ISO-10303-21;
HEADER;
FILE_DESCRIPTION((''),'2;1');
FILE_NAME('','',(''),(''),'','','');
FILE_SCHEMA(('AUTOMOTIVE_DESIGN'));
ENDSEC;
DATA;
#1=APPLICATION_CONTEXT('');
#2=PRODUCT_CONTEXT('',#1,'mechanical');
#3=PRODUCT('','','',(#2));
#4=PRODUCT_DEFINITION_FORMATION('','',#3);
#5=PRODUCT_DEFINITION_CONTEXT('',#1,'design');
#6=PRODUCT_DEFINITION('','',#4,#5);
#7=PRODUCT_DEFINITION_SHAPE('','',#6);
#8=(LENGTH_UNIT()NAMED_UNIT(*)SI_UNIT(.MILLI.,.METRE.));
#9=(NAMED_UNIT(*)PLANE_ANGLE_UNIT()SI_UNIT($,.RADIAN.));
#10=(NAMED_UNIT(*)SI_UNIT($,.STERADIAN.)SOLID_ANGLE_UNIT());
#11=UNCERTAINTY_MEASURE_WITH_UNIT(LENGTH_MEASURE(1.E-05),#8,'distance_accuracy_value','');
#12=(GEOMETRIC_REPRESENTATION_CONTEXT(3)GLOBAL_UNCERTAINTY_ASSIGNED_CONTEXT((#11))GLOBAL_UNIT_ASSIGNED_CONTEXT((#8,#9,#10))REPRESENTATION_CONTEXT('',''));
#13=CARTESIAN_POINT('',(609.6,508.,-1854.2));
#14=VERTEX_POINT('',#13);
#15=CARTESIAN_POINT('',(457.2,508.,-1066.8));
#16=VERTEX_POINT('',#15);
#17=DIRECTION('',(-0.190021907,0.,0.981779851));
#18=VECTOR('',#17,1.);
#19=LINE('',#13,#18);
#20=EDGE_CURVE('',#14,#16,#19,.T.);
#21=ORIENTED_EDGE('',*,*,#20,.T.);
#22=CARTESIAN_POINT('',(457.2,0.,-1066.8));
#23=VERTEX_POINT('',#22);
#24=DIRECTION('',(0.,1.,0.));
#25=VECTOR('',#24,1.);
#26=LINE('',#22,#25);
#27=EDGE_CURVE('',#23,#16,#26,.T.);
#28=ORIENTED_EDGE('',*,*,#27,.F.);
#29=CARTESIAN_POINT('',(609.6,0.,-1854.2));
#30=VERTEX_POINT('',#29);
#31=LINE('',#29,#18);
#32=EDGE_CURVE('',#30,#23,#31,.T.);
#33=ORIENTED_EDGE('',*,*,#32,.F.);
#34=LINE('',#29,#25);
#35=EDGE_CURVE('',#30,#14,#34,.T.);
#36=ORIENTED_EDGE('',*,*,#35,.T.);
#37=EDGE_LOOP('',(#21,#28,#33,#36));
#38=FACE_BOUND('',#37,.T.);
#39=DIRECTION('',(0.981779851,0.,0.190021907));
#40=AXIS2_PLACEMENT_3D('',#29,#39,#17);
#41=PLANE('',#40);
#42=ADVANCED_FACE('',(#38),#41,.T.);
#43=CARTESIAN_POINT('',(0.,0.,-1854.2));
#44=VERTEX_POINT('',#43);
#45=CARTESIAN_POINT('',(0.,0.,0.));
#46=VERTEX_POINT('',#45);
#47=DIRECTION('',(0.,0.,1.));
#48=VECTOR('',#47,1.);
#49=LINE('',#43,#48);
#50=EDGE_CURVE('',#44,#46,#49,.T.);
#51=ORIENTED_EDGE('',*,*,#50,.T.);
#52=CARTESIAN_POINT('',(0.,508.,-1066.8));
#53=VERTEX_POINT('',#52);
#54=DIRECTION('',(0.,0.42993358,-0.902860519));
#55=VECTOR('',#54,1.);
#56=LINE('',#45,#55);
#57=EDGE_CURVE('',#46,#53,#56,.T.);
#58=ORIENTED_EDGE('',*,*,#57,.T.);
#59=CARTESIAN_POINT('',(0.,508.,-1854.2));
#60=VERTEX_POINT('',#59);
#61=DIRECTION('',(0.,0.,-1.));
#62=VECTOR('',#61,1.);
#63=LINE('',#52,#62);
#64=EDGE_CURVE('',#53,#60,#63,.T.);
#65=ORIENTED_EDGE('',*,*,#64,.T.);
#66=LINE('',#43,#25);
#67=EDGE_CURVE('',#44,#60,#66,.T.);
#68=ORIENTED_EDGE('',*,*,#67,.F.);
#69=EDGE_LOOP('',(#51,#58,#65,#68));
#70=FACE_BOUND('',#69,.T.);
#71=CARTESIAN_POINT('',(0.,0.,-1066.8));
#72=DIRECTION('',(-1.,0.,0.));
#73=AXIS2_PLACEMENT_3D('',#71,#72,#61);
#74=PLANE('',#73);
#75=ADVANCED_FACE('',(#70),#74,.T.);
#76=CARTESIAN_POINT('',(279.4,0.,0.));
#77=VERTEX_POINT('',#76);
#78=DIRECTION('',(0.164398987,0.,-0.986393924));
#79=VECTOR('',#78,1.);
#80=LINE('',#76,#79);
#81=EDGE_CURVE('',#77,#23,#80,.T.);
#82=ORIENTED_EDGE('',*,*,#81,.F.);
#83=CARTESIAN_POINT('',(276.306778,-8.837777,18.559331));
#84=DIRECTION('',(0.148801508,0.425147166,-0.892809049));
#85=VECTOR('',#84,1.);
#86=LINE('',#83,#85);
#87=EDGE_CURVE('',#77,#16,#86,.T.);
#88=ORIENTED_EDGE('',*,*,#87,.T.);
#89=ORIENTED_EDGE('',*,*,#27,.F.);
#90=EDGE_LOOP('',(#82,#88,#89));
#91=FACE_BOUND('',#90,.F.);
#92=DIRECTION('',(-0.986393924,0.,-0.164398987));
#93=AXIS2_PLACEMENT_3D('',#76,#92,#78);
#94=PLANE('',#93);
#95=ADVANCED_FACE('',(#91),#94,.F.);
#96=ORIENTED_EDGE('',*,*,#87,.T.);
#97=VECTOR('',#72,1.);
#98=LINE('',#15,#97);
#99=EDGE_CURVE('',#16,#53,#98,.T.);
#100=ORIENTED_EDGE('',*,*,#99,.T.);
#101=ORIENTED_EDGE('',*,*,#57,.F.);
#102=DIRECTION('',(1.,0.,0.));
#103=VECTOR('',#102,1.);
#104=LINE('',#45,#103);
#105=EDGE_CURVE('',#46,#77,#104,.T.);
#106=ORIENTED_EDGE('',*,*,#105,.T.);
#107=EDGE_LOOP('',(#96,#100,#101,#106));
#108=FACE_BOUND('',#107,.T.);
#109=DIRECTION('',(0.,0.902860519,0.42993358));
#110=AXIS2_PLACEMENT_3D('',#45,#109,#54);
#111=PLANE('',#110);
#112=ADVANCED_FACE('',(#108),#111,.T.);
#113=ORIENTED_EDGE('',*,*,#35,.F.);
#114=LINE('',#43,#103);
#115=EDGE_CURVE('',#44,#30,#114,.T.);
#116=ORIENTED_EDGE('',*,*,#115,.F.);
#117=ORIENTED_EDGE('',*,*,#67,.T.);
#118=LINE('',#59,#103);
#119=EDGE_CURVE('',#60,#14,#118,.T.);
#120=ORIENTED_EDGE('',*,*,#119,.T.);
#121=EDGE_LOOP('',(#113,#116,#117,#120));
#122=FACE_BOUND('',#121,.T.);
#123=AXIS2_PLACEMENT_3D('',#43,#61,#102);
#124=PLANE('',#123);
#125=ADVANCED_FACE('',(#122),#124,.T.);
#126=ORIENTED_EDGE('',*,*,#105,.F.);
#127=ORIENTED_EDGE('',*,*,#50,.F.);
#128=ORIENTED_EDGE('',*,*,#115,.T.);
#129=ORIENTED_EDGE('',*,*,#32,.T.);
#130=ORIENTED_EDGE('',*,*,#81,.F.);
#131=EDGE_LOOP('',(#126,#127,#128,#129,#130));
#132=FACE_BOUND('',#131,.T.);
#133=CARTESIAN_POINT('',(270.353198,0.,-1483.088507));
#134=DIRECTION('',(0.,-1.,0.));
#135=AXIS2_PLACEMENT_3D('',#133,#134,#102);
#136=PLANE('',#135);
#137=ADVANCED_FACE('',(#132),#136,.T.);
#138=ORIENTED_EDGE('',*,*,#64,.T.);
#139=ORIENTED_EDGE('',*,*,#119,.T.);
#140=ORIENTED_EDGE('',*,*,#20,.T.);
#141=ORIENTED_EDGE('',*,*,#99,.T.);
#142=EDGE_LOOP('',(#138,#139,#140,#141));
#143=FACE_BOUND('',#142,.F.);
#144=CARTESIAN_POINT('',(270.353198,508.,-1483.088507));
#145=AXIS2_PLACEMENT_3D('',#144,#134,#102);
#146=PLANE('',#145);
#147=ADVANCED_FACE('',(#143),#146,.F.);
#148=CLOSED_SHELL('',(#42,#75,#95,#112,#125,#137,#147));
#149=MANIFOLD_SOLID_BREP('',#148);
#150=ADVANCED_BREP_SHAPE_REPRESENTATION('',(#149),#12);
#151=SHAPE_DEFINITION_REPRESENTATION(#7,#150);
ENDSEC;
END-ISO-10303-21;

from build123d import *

# Parameters (mm, degrees)
BOSS_EXTRUDE1_DEPTH = 508
CUT_EXTRUDE1_DEPTH  = 508
BOSS_EXTRUDE2_DEPTH = 508


with BuildPart() as part:
    # Sketch1 → Boss-Extrude1 (new body)
    with BuildSketch(Plane(origin=(0, 0, 0), x_dir=(1, 0, 0), z_dir=(0, 1, 0))):
        Polygon((0, 1066.8), (0, 0), (279.4, 0), (457.2, 1066.8), align=None)
    extrude(amount=BOSS_EXTRUDE1_DEPTH)

    # Sketch2 → Cut-Extrude1 (cut)
    with BuildSketch(Plane.ZY):
        Polygon((0, 0), (-1066.8, 508), (-1066.8, 732.672417782), (0, 732.672417782), align=None)
    extrude(amount=-CUT_EXTRUDE1_DEPTH, mode=Mode.SUBTRACT)

    # Sketch3 → Boss-Extrude2 (add)
    with BuildSketch(Plane.XZ):
        Polygon((0, -1066.8), (0, -1854.2), (609.6, -1854.2), (457.2, -1066.8), align=None)
    extrude(amount=-BOSS_EXTRUDE2_DEPTH)


solid = part.part
